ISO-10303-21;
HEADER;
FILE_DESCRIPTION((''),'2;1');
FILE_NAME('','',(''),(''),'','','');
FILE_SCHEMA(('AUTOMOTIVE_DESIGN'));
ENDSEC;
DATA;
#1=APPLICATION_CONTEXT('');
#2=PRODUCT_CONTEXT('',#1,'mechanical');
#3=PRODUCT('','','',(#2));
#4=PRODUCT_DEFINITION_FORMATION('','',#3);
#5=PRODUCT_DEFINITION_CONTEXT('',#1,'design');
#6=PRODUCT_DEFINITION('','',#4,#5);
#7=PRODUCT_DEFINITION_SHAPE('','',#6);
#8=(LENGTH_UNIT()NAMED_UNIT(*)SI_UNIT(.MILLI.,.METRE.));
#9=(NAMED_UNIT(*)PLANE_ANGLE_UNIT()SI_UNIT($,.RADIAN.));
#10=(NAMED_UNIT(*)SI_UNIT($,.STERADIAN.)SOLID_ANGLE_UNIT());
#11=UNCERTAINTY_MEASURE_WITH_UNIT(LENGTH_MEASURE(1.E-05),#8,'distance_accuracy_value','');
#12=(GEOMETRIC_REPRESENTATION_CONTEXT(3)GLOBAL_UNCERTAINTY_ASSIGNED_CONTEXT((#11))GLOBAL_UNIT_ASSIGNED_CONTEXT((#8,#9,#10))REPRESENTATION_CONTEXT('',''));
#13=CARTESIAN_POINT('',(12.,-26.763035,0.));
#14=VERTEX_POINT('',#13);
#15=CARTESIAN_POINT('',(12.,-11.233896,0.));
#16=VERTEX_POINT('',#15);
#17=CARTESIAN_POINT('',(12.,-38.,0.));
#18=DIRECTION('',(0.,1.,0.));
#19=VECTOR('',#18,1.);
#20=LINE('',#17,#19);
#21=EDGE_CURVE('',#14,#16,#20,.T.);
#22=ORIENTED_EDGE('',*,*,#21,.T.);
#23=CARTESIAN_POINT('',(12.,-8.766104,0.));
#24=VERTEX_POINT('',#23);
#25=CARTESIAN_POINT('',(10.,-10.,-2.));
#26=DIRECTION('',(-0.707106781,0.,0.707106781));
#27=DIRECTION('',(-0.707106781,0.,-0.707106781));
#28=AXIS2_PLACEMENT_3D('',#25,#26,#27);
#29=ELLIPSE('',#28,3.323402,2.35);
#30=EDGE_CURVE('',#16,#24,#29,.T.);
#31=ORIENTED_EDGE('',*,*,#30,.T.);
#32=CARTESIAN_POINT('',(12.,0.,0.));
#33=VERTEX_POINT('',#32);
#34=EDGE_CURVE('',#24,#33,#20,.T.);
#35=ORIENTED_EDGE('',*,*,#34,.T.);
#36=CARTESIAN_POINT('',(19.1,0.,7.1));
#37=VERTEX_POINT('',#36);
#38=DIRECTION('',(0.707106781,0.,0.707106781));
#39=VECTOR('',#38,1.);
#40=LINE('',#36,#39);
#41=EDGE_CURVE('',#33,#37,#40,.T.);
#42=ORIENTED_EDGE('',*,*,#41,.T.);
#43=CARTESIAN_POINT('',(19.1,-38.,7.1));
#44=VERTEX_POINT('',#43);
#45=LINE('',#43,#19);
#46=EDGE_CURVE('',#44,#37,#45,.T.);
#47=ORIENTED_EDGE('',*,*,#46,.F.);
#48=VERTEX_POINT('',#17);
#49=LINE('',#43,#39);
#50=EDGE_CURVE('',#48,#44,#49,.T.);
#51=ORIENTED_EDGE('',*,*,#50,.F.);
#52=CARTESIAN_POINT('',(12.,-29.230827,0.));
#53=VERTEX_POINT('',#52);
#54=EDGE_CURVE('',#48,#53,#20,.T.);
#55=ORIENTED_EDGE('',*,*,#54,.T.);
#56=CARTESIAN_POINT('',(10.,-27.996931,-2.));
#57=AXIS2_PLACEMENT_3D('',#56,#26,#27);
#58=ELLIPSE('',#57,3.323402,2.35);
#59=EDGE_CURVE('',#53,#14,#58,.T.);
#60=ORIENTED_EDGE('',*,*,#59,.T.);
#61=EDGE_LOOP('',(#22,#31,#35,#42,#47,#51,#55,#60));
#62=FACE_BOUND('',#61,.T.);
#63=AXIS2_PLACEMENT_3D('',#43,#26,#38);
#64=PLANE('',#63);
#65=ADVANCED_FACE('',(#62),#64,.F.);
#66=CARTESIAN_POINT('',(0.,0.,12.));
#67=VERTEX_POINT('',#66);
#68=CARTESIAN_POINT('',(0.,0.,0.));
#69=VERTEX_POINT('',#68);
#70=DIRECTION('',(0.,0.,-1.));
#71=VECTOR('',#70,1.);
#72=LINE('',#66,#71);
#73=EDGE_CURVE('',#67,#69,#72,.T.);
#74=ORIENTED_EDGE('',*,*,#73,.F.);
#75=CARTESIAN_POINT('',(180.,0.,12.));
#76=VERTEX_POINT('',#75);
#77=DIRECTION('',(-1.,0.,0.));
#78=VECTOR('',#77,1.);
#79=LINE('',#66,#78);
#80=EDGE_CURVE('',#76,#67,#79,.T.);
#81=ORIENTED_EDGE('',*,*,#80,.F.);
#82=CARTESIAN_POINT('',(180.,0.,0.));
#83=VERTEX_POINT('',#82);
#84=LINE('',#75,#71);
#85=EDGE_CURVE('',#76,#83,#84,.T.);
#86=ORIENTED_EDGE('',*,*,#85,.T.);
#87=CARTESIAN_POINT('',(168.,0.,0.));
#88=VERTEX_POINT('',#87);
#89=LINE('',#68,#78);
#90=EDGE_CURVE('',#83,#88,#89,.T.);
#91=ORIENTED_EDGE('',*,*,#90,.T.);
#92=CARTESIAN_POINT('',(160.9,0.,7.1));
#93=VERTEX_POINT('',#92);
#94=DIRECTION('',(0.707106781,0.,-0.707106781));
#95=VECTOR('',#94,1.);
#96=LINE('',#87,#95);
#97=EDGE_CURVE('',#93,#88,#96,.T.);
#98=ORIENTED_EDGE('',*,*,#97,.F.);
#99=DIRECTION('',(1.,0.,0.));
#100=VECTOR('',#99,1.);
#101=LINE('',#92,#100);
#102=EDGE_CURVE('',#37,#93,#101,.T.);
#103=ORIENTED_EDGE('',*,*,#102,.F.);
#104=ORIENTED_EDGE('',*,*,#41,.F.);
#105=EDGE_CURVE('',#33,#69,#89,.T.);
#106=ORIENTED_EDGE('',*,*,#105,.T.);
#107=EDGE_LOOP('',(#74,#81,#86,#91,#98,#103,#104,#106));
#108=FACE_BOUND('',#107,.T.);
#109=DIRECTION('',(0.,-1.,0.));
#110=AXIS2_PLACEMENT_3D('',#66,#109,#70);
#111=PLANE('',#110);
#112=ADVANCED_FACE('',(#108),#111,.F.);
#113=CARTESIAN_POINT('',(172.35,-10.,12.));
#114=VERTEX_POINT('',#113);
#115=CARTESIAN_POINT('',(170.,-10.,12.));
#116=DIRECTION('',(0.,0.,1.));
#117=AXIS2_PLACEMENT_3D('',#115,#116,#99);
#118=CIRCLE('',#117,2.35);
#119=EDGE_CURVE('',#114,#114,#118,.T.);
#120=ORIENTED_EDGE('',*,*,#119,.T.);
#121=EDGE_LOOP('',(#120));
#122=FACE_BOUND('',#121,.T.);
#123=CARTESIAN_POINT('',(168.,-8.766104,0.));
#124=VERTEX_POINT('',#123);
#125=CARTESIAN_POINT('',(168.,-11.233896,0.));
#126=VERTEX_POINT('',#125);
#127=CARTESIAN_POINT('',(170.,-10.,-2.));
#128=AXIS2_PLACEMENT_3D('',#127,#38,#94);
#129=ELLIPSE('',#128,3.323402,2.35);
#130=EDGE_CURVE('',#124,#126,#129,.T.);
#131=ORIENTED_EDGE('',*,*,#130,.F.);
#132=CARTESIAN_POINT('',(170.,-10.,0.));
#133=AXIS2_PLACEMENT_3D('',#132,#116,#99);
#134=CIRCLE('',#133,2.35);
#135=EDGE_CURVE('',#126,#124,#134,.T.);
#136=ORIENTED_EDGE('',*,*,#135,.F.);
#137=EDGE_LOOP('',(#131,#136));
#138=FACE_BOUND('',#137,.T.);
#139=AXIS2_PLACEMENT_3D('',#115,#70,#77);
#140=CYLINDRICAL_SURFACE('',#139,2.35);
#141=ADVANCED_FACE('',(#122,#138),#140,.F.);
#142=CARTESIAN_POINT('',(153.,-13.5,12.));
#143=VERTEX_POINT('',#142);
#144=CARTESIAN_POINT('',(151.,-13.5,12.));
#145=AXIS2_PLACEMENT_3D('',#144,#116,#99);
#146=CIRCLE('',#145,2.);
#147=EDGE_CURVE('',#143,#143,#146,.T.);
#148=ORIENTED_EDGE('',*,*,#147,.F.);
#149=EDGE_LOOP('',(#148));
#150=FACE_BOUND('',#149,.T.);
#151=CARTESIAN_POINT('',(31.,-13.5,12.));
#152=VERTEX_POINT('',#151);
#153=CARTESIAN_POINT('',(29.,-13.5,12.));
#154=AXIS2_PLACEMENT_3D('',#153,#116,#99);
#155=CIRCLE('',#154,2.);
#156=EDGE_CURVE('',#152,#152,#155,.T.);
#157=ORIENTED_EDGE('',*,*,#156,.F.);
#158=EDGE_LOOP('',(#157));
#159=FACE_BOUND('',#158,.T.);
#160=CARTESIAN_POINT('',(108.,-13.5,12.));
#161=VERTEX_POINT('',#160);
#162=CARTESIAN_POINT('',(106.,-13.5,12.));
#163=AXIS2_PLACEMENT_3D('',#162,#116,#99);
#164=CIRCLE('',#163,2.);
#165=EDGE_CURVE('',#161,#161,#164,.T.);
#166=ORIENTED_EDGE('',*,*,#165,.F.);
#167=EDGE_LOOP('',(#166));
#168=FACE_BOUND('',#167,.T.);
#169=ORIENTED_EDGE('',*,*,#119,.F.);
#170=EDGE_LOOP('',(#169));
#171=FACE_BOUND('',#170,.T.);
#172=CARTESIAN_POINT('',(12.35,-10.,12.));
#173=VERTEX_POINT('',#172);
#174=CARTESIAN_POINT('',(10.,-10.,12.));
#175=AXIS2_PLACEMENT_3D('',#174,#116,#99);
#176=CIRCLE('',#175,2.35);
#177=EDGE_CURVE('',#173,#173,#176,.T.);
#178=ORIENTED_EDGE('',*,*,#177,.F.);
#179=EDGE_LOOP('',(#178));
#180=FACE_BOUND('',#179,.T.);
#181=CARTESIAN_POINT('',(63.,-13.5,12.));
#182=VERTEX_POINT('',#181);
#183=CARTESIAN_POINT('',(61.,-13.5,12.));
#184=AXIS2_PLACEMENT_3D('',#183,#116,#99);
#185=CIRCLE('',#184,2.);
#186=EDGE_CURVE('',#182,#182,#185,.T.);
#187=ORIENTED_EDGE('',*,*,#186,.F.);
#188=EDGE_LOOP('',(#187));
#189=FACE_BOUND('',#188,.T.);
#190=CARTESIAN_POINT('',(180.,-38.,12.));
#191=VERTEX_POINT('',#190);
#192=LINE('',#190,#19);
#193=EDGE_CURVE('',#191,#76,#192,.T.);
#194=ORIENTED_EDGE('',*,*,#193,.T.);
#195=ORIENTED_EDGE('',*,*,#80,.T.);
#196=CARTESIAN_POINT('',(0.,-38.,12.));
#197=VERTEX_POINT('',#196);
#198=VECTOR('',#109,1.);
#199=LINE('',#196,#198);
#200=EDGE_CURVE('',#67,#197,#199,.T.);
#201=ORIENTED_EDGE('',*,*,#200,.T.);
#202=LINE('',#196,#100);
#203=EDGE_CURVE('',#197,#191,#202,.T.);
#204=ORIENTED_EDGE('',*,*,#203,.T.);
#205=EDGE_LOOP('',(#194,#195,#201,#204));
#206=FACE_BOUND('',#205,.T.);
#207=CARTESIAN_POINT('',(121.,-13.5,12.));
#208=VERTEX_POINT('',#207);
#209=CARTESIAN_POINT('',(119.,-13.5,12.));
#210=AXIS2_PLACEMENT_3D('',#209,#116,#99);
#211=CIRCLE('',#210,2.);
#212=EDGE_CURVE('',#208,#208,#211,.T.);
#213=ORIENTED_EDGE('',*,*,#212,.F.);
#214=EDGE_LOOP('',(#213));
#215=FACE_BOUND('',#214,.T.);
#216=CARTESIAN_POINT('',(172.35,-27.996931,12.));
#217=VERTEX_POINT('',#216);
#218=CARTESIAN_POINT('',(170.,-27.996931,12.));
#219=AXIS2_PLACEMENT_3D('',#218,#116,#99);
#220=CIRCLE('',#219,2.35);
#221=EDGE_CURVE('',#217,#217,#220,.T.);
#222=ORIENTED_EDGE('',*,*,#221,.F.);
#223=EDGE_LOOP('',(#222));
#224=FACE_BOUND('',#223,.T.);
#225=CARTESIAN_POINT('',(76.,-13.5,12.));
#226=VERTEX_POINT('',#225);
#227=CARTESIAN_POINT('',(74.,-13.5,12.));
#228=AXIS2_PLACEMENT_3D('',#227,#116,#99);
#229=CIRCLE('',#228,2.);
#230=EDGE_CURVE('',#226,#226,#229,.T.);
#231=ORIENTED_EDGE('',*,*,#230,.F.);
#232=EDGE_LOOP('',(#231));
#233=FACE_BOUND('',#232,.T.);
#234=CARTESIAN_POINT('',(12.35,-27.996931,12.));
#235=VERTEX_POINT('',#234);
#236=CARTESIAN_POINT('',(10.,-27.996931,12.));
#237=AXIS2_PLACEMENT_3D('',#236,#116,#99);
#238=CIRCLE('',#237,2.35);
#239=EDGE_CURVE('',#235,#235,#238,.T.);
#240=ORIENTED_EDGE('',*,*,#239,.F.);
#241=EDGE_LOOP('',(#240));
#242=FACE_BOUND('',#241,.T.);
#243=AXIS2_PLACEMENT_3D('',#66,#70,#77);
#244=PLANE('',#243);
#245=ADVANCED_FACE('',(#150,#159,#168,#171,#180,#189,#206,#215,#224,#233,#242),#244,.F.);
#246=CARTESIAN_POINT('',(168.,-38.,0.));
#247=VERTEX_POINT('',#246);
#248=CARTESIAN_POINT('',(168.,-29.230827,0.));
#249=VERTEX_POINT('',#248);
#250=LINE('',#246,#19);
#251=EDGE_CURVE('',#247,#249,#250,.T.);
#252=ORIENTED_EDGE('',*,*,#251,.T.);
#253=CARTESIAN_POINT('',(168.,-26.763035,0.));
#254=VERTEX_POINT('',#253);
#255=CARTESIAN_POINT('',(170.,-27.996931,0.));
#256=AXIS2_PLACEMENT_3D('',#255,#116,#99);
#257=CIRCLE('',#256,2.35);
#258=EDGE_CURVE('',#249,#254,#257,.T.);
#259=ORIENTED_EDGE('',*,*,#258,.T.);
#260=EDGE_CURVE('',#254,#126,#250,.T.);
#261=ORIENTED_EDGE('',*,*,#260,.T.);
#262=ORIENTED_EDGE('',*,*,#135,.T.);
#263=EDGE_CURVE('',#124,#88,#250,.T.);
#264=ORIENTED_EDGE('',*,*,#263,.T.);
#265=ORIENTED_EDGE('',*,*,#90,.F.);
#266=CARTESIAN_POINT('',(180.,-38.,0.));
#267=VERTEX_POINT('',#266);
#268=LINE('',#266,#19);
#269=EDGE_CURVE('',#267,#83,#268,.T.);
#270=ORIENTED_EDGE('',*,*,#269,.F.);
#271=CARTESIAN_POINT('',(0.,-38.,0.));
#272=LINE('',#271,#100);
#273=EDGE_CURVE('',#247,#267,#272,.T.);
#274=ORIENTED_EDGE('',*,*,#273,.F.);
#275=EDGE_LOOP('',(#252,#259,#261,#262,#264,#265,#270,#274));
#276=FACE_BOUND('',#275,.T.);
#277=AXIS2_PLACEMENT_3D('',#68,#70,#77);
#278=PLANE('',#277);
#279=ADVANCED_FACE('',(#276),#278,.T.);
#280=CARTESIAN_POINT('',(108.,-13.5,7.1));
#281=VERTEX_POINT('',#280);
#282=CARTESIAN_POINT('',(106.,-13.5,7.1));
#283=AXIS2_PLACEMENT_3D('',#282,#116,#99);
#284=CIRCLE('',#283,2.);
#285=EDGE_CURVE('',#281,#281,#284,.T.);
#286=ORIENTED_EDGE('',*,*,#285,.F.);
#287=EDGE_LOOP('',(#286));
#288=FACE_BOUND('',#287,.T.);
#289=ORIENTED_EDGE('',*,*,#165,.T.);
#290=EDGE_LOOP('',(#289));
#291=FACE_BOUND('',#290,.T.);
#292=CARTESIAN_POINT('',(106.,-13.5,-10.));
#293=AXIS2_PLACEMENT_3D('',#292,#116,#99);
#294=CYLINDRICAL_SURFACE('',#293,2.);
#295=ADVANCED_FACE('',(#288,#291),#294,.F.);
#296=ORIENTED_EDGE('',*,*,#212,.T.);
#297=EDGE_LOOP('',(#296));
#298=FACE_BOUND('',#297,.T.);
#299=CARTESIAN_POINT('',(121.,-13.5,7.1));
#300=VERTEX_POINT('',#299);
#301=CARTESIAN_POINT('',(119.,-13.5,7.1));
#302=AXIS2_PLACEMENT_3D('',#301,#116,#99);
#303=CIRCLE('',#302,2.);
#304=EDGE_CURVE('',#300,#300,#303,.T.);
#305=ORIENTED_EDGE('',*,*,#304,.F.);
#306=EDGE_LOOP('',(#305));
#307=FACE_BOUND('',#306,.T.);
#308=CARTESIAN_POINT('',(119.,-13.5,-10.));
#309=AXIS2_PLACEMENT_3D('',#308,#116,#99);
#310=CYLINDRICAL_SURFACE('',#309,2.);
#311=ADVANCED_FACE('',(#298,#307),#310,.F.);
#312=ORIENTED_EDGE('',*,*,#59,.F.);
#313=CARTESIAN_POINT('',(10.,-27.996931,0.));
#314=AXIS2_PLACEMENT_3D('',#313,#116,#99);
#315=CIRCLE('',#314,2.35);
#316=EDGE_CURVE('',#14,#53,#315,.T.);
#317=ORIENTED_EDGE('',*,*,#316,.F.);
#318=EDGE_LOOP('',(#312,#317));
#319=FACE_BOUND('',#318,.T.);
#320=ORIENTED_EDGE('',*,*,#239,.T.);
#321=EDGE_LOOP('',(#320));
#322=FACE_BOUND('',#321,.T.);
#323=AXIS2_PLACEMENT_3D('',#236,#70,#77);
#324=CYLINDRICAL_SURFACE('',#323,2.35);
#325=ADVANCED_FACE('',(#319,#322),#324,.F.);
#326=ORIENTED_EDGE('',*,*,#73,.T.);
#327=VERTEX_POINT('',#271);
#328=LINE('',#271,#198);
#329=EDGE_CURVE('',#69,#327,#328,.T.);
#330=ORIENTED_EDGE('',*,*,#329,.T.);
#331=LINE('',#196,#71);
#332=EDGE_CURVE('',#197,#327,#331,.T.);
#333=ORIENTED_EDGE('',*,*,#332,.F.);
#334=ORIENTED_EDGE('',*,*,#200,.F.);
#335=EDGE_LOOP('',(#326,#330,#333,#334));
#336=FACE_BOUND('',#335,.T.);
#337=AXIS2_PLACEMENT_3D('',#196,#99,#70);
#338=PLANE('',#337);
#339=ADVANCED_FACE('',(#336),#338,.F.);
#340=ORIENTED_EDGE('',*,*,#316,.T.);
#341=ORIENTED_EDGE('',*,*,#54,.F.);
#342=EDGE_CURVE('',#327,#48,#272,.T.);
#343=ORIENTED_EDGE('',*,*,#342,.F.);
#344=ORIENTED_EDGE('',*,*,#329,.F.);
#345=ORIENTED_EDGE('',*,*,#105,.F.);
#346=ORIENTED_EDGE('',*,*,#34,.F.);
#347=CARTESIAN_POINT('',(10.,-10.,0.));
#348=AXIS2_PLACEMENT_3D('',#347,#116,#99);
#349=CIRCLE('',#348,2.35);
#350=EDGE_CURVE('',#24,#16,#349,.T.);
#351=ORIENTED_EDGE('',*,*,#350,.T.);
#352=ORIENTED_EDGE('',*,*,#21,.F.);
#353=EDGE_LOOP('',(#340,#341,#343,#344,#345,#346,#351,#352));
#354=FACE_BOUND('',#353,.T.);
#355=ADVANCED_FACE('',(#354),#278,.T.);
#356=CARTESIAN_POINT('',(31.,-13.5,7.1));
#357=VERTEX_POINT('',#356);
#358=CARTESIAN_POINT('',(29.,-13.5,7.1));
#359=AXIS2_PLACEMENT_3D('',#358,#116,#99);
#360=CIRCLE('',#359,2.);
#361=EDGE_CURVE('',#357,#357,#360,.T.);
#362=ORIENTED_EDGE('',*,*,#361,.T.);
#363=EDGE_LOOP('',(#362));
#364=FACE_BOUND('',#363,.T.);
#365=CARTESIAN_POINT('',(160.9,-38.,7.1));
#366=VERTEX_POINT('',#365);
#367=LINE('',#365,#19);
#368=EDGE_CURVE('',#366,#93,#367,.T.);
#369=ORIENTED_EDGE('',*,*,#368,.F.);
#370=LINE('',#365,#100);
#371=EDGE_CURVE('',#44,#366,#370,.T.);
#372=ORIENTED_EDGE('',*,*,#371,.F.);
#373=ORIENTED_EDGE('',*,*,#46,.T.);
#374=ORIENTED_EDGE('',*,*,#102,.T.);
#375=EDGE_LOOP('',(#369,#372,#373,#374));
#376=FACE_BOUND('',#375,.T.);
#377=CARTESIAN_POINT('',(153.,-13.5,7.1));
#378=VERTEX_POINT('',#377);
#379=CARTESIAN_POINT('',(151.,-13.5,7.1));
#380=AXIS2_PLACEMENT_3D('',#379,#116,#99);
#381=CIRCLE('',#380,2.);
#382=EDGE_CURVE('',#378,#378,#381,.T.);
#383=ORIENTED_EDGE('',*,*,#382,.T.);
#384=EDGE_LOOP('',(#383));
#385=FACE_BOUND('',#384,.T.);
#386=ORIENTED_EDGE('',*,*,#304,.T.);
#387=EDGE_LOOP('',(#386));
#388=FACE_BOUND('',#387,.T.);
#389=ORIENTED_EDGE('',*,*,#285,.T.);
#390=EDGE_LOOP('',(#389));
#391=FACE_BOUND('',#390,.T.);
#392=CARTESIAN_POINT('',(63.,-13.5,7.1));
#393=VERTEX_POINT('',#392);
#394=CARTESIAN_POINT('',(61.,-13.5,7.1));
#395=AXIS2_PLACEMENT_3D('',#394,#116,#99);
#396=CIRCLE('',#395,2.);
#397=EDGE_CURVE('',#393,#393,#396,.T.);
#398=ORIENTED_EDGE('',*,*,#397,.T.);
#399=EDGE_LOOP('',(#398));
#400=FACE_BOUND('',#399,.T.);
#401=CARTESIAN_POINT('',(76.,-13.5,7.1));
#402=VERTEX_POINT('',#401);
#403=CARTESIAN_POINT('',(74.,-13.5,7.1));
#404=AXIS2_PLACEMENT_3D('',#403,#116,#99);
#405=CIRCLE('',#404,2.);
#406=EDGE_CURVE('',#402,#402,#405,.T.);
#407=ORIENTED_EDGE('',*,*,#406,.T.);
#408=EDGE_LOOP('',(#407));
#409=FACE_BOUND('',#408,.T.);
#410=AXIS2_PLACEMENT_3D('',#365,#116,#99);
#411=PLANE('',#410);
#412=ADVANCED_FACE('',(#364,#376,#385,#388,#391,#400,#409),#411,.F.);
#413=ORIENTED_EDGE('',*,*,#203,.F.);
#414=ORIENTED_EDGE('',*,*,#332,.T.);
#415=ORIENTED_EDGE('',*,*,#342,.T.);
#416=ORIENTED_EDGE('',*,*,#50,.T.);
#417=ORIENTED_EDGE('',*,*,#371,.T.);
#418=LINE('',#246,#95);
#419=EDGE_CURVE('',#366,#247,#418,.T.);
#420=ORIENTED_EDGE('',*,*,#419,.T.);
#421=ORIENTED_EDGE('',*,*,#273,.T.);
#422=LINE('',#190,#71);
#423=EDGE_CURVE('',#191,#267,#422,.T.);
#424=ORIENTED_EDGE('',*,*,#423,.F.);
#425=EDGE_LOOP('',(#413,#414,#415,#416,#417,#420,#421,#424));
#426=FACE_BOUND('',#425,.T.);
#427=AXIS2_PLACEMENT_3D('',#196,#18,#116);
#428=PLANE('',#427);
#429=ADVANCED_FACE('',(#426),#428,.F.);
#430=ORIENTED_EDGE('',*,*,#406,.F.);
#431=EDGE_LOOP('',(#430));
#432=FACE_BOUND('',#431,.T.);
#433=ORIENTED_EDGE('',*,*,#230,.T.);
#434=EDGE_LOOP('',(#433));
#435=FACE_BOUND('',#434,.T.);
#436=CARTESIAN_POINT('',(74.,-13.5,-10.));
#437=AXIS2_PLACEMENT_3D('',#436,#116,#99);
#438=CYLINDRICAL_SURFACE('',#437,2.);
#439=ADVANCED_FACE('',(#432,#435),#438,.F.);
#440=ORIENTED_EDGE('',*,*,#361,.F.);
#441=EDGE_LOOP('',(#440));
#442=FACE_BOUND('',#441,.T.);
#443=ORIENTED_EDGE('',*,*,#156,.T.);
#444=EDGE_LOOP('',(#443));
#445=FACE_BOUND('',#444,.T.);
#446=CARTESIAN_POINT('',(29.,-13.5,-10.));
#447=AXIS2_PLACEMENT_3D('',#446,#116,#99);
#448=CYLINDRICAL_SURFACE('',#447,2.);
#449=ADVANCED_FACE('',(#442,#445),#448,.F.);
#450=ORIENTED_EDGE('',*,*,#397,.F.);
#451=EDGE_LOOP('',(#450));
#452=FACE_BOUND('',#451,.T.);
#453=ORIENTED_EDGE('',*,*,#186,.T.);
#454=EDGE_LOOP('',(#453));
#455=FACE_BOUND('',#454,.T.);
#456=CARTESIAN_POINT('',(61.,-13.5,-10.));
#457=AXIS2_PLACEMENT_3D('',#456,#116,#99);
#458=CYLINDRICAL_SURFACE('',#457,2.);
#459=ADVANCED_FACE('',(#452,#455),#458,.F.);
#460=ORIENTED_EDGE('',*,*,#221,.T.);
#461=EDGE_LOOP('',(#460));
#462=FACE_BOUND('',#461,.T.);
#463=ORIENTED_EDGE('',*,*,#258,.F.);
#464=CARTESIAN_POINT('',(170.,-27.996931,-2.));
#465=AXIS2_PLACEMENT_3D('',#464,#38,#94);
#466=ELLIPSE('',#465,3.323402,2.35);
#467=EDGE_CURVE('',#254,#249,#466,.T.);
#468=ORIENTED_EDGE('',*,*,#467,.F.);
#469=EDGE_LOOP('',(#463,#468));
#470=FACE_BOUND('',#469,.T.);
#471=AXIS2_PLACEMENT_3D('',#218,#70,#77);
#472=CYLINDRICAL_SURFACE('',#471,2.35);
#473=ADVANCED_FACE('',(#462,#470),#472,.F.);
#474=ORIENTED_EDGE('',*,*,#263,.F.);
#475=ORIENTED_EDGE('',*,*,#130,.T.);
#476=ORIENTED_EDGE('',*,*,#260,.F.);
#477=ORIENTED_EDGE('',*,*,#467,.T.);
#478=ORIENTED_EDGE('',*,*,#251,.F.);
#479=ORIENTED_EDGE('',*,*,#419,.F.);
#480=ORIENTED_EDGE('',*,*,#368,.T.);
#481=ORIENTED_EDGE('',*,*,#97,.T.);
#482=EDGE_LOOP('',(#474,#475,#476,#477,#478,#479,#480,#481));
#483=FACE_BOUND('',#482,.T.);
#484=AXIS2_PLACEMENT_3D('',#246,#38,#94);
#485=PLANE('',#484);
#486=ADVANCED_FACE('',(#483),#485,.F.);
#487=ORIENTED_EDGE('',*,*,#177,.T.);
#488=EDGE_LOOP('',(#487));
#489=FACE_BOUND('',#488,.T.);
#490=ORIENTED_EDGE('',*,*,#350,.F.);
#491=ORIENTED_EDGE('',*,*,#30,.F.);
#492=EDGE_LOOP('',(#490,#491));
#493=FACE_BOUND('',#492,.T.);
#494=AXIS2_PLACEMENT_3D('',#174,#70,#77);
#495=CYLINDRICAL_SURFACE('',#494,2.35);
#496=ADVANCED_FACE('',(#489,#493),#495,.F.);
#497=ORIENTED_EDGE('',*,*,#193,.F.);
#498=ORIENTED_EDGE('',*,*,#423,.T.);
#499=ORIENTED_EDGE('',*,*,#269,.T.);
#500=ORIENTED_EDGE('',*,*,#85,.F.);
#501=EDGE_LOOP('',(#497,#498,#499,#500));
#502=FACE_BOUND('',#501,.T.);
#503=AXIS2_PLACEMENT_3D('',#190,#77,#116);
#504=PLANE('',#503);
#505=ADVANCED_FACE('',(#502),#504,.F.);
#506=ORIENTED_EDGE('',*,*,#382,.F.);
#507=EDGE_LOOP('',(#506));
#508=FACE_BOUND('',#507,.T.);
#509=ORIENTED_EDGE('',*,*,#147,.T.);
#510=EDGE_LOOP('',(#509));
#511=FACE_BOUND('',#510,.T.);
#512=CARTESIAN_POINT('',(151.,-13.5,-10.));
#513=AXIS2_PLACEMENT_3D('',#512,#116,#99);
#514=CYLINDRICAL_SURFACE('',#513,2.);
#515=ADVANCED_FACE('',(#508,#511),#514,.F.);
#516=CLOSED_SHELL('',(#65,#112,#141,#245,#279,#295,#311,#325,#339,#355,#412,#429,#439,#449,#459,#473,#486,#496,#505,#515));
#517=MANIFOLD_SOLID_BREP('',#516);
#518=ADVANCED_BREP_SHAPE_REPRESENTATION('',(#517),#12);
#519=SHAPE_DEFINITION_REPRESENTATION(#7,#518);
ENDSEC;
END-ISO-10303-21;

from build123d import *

# Parameters (mm, degrees)
SKETCH1_W           = 180
SKETCH1_H           = 38
SKETCH1_R           = 2.35
BOSS_EXTRUDE1_DEPTH = 12
CUT_EXTRUDE1_DEPTH  = 38
SKETCH3_R           = 2
CUT_EXTRUDE2_DEPTH  = 22


with BuildPart() as part:
    # Sketch1 → Boss-Extrude1 (new body)
    with BuildSketch(Plane.XY):
        with Locations((90, -19)):
            Rectangle(SKETCH1_W, SKETCH1_H)
        with Locations((170, -10)):
            Circle(SKETCH1_R, mode=Mode.SUBTRACT)
        with Locations((170, -27.996930787)):
            Circle(SKETCH1_R, mode=Mode.SUBTRACT)
        with Locations((10, -10)):
            Circle(SKETCH1_R, mode=Mode.SUBTRACT)
        with Locations((10, -27.996930787)):
            Circle(SKETCH1_R, mode=Mode.SUBTRACT)
    extrude(amount=BOSS_EXTRUDE1_DEPTH)

    # Sketch2 → Cut-Extrude1 (cut)
    with BuildSketch(Plane(origin=(0, 0, 0), x_dir=(1, 0, 0), z_dir=(0, 1, 0))):
        Polygon((168, 0), (160.9, -7.1), (19.1, -7.1), (12, 0), align=None)
    extrude(amount=-CUT_EXTRUDE1_DEPTH, mode=Mode.SUBTRACT)

    # Sketch3 → Cut-Extrude2 (cut)
    with BuildSketch(Plane.XY.offset(12)):
        with Locations((151, -13.5)):
            Circle(SKETCH3_R)
        with Locations((119, -13.5)):
            Circle(SKETCH3_R)
        with Locations((106, -13.5)):
            Circle(SKETCH3_R)
        with Locations((74, -13.5)):
            Circle(SKETCH3_R)
        with Locations((61, -13.5)):
            Circle(SKETCH3_R)
        with Locations((29, -13.5)):
            Circle(SKETCH3_R)
    extrude(amount=-CUT_EXTRUDE2_DEPTH, mode=Mode.SUBTRACT)


solid = part.part
